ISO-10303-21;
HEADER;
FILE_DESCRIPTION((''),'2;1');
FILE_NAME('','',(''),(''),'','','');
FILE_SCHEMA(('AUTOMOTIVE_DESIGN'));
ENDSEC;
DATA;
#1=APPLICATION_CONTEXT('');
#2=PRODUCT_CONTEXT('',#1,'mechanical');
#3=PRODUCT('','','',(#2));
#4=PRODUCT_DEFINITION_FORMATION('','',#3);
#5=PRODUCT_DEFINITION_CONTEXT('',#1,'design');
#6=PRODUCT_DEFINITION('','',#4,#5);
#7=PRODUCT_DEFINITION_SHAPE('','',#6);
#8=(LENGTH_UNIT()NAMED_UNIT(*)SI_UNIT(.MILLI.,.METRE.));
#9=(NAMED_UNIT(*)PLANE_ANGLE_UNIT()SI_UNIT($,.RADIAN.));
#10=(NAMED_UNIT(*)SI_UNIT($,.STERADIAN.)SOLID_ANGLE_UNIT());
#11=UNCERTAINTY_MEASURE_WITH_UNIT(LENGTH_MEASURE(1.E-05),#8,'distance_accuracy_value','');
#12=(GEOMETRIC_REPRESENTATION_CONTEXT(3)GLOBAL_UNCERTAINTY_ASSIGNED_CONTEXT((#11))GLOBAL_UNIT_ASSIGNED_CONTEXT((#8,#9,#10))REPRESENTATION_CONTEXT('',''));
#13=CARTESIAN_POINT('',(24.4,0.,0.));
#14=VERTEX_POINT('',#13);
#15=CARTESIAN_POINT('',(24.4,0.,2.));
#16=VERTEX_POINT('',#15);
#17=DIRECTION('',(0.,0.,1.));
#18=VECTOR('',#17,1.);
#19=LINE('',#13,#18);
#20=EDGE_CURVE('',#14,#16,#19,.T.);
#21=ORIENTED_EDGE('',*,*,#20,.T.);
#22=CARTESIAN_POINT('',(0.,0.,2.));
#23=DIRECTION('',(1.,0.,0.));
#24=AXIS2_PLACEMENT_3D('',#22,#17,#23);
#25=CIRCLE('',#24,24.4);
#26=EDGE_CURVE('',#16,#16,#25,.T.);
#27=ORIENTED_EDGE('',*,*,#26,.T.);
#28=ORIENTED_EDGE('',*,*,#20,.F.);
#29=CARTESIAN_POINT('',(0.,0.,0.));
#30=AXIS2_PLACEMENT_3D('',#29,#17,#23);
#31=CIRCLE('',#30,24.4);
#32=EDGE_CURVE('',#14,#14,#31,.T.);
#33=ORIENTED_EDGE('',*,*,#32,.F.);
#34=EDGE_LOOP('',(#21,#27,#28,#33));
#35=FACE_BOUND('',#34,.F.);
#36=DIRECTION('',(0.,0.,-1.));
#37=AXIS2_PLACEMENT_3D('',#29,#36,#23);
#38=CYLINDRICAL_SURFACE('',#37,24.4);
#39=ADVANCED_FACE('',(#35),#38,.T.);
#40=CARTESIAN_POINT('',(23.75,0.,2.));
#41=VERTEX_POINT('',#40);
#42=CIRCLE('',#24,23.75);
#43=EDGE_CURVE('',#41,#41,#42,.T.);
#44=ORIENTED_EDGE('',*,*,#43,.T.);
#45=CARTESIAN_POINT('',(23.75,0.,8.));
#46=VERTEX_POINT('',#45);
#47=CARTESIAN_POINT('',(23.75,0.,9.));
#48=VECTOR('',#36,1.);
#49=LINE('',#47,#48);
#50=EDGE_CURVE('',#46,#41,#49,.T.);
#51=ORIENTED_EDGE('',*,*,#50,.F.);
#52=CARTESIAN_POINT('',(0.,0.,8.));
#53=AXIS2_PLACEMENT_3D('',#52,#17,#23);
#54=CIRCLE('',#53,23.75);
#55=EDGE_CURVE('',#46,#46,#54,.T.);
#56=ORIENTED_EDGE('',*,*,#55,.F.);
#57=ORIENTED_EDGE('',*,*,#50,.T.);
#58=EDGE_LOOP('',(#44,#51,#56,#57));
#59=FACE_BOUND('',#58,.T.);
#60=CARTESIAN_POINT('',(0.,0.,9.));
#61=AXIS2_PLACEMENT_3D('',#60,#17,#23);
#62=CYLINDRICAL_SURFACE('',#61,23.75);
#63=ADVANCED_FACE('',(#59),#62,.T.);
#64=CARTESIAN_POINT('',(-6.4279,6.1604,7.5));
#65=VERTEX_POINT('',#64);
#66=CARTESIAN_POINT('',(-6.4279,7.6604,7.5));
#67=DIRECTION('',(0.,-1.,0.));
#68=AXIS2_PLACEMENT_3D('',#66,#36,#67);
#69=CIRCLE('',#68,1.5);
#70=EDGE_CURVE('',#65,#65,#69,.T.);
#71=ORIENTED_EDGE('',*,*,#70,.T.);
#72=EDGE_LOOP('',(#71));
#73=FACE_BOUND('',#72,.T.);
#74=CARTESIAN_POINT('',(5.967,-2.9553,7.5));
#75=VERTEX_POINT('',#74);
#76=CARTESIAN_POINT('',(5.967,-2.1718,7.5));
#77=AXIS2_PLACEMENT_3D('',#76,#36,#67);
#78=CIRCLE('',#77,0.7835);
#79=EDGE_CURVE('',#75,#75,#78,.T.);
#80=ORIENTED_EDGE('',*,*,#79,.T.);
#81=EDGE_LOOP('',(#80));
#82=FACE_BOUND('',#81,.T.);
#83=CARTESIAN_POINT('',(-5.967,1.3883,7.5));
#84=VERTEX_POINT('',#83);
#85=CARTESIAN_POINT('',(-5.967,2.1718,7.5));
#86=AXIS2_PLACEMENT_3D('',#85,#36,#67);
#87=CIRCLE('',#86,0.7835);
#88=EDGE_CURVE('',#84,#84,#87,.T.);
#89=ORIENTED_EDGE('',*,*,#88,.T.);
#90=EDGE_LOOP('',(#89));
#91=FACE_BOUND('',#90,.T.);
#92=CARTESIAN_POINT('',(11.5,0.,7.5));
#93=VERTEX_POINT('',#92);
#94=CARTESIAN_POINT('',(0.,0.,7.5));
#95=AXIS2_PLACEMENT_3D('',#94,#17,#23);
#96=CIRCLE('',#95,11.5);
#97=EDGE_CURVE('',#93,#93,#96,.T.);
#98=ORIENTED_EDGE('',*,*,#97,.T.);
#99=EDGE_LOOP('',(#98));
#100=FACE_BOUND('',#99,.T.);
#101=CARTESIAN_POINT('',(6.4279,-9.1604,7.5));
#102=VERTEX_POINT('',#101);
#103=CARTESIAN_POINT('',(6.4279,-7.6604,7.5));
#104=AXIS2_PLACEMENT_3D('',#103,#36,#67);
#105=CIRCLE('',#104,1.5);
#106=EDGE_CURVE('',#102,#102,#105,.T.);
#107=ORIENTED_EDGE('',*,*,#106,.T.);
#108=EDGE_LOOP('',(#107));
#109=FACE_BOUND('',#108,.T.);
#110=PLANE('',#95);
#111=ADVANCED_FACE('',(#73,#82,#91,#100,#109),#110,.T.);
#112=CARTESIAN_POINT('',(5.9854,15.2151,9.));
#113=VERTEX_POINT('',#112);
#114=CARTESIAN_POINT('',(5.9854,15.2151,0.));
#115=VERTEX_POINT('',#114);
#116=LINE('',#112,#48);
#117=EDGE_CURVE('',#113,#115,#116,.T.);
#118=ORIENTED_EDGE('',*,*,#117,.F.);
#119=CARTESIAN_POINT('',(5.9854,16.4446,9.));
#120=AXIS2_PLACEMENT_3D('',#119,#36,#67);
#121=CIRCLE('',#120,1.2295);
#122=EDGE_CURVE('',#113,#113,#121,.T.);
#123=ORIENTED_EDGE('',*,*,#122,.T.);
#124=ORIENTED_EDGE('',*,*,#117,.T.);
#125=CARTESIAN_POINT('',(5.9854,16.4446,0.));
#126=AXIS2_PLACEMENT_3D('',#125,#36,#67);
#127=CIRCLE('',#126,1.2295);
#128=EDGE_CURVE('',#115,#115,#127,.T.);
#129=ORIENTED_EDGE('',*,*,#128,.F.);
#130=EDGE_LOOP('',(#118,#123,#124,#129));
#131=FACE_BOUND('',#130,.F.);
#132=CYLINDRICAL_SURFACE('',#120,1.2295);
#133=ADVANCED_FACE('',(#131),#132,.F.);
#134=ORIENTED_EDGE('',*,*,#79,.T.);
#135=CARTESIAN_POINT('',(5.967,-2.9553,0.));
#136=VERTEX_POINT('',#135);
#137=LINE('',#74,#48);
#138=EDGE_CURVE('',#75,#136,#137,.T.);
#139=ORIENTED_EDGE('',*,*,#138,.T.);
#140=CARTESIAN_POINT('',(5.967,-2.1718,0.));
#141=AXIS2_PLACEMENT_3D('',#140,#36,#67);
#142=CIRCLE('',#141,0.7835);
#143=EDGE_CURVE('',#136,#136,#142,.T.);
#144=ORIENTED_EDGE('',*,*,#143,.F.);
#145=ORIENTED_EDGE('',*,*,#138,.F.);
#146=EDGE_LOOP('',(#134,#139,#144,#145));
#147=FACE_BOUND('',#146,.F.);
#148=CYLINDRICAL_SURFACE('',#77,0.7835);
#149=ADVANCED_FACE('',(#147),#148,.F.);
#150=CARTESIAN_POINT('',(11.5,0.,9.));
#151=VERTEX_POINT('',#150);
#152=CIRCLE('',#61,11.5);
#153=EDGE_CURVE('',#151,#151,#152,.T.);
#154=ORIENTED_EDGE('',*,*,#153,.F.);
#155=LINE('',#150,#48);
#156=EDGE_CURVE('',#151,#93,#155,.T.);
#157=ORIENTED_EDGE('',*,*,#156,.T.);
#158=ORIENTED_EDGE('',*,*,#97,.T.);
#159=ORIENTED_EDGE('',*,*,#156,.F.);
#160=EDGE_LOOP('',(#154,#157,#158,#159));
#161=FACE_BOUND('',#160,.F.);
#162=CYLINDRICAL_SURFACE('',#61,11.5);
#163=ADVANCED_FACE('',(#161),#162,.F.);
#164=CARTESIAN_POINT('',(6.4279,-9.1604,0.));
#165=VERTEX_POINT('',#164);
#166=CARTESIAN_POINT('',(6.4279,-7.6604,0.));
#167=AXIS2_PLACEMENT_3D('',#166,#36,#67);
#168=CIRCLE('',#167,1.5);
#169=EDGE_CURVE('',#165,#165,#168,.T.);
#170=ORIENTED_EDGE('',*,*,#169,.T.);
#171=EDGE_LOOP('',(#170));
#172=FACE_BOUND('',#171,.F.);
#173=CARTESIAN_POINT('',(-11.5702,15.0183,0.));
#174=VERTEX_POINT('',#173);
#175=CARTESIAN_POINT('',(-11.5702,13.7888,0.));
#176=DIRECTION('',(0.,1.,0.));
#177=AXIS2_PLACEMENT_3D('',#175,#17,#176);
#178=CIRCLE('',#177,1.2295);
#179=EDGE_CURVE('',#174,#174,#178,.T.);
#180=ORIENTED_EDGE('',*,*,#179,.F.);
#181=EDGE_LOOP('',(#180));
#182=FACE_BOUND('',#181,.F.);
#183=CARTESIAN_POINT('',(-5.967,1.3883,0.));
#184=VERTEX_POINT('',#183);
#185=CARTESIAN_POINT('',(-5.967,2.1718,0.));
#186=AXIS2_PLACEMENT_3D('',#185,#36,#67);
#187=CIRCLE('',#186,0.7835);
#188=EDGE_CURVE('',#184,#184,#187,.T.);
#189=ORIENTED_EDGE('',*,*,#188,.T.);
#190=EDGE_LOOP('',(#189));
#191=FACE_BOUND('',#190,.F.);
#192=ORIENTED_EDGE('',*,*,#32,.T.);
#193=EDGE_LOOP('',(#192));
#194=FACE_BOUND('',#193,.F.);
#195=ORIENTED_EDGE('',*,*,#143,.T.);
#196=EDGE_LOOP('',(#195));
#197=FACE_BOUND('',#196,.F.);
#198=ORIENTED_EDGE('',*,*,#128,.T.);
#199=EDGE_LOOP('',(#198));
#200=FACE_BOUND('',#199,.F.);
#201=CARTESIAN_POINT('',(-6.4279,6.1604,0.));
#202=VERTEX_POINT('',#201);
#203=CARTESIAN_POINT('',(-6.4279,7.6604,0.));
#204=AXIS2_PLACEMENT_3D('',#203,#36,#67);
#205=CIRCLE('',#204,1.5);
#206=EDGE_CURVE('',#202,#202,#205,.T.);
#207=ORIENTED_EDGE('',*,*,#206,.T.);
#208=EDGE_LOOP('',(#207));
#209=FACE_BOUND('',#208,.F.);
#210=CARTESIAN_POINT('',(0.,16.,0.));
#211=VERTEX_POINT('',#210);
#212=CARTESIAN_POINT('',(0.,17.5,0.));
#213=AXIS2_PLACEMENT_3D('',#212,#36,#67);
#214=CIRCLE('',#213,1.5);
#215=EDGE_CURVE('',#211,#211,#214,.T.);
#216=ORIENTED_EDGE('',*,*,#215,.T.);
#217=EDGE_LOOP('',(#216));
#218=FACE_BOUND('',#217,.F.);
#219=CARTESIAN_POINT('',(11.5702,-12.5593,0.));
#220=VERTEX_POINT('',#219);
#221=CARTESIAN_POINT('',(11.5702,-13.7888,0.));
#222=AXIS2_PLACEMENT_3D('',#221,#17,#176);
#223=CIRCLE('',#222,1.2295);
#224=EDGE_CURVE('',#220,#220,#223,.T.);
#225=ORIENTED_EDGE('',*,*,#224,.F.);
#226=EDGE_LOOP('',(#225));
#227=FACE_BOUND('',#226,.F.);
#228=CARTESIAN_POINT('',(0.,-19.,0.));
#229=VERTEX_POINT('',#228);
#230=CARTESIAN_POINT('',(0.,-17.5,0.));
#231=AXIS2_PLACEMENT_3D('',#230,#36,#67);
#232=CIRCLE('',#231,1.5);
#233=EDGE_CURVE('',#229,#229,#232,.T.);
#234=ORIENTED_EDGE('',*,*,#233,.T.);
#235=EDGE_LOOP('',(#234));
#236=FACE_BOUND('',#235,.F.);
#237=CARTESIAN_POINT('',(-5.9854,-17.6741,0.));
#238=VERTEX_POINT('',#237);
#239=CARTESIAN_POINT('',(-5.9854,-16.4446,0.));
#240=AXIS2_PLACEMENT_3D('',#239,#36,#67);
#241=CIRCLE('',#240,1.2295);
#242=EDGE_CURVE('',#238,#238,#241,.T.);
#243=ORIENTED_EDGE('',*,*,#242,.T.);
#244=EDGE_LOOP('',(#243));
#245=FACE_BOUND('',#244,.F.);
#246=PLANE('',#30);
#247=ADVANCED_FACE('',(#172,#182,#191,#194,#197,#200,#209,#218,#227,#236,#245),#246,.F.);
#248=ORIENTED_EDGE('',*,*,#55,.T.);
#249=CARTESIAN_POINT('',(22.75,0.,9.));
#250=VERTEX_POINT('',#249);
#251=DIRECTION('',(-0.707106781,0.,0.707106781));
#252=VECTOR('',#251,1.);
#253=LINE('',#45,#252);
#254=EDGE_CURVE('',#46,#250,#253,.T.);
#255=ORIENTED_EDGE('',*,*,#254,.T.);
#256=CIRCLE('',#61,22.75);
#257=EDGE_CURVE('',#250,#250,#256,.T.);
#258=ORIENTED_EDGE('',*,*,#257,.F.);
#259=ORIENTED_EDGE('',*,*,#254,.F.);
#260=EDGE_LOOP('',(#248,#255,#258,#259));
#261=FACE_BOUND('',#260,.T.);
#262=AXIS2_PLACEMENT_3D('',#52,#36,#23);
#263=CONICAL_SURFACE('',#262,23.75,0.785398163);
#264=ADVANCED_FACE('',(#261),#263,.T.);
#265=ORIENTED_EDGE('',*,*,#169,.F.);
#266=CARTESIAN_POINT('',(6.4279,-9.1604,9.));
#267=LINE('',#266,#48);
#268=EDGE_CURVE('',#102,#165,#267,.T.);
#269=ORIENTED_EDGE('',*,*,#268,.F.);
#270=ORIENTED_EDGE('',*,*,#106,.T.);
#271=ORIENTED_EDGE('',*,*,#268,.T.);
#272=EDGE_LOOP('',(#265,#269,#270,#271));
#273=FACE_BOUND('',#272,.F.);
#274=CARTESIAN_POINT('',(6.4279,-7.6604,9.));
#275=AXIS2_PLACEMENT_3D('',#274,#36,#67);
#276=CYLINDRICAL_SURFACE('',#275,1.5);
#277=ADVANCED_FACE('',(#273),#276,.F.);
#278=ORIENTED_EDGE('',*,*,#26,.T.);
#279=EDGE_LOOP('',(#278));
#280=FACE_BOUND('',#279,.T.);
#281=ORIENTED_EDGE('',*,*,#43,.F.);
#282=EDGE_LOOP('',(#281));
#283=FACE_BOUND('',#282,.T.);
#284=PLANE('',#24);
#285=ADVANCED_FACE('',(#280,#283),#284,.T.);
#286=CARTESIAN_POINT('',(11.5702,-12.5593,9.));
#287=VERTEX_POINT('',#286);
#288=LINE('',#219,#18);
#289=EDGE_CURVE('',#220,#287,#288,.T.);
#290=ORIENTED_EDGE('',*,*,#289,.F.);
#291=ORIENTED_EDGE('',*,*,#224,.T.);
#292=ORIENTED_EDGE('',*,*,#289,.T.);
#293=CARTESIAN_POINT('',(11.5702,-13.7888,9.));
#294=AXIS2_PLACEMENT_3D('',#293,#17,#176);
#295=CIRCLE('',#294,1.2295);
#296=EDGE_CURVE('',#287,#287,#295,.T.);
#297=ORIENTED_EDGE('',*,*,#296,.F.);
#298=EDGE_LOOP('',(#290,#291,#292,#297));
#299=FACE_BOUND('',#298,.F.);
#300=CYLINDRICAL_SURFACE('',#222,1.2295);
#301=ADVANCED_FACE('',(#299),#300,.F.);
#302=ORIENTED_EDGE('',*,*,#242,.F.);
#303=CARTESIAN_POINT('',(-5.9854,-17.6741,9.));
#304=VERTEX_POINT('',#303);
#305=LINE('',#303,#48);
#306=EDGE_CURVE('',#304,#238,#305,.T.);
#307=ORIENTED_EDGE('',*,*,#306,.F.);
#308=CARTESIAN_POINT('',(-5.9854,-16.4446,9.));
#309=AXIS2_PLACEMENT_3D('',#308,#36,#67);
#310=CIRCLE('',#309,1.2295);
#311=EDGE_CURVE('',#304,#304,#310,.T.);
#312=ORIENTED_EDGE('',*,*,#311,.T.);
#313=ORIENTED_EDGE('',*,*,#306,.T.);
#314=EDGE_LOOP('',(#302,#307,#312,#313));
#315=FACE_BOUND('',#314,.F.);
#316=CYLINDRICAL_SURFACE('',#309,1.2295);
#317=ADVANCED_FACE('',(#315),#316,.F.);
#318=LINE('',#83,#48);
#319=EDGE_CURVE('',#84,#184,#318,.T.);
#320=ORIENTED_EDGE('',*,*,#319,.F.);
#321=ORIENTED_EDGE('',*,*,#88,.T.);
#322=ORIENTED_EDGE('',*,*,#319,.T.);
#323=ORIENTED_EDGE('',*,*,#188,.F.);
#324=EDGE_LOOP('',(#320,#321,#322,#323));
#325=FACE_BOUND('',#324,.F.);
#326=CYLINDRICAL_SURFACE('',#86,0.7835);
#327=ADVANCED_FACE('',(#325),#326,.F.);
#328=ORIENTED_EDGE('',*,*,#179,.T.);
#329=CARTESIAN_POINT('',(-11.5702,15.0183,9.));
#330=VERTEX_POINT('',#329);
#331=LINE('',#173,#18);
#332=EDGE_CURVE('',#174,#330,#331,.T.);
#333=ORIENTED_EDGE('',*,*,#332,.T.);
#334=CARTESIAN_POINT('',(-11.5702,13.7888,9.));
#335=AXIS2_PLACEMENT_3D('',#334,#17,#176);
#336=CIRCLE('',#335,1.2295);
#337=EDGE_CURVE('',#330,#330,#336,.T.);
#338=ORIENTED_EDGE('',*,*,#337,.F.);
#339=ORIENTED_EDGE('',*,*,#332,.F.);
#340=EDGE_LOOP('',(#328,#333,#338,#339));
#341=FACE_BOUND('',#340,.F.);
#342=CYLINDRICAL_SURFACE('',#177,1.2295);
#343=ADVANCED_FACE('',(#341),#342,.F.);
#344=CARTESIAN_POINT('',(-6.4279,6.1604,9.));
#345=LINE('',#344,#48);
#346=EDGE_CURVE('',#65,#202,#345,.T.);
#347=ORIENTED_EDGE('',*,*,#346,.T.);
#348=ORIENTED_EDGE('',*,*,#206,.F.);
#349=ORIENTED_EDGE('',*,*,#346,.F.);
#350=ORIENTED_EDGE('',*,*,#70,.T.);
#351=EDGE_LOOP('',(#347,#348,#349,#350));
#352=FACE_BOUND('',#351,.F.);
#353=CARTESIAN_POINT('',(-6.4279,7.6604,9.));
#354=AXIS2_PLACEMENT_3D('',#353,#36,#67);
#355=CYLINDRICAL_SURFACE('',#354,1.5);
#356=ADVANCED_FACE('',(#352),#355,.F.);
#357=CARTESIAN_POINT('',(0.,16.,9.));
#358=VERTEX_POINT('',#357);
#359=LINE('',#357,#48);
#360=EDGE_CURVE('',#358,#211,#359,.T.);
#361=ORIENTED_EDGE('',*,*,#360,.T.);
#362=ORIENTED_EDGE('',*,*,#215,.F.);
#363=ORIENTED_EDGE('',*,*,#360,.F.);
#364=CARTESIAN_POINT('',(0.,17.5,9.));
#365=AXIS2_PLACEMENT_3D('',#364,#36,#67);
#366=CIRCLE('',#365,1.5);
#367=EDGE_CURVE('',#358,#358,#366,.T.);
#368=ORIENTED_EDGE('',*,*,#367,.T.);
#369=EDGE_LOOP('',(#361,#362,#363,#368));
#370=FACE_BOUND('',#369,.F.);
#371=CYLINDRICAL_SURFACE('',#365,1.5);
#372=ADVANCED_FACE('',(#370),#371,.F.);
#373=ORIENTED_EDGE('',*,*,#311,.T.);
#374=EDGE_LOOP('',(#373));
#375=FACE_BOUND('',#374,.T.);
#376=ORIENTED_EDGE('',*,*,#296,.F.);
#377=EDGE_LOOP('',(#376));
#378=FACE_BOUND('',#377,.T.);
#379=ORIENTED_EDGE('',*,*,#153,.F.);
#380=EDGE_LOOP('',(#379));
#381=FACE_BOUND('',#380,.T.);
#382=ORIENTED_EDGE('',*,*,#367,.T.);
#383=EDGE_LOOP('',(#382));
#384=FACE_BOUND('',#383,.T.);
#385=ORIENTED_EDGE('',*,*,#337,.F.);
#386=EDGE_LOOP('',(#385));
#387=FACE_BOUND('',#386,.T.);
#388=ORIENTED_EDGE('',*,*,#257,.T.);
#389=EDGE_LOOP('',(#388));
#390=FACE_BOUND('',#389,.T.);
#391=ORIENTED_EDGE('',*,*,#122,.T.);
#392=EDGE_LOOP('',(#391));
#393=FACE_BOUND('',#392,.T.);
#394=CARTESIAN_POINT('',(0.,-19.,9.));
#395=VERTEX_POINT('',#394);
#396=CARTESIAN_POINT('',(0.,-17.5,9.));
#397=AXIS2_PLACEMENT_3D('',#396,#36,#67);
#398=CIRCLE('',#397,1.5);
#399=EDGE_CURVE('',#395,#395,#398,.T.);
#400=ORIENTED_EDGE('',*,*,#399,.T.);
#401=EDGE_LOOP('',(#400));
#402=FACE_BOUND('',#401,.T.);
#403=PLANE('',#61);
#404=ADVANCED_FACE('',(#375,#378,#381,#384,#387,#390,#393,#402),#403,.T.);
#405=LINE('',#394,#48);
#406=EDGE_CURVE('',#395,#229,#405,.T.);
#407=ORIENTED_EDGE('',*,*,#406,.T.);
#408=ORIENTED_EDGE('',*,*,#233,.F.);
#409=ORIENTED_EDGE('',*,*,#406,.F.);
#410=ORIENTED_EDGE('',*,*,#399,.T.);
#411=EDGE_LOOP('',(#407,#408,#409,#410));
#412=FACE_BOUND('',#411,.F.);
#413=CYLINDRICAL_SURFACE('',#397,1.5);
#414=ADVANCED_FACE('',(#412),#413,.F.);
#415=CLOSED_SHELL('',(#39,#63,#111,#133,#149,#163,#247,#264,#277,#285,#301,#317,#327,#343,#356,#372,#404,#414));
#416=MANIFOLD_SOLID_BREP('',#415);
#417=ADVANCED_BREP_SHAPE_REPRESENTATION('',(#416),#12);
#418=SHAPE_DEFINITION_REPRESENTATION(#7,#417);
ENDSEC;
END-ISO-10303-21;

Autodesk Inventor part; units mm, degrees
ref_plane "YZ Plane" through (0, 0, 0) normal (1, 0, 0) x (0, 1, 0)
ref_plane "XZ Plane" through (0, 0, 0) normal (0, 1, 0) x (-1, 0, 0)
ref_plane "XY Plane" through (0, 0, 0) normal (0, 0, 1) x (1, 0, 0)
sketch "Skizze1" plane through (0, 0, 0) normal (0, 0, 1) x (1, 0, 0)
  circle A0 centre (0, 0) radius 24.4
  dimension "d0" = 48.8
extrude "Extrusion1" add sketch "Skizze1" along normal blind 9
sketch "Skizze2" plane through (0, 0, 9) normal (0, 0, 1) x (1, 0, 0)
  circle A0 centre (0, 0) radius 24.4 projected
  circle A1 centre (0, 0) radius 11.5
  dimension "d5" = 23
extrude "Extrusion2" cut sketch "Skizze2" against normal blind 1.5 contours A1
sketch "Skizze10" plane through (0, 0, 9) normal (0, 0, 1) x (1, 0, 0)
  circle A0 centre (0, 0) radius 24.4 projected
  circle A1 centre (0, 0) radius 23.75
  dimension "d62" = 47.5
extrude "Extrusion3" cut sketch "Skizze10" against normal blind 7
sketch "Skizze12" plane through (0, 0, 0) normal (0, 0, -1) x (-1, 0, 0)
  circle A0 centre (0, 0) radius 24.4 projected
  circle A1 centre (0, 0) radius 23.5
  dimension "d82" = 47
extrude "Extrusion4" [suppressed]
sketch "Skizze5" plane through (0, 0, 9) normal (0, 0, 1) x (1, 0, 0)
  circle A0 centre (0, 0) radius 11.5 projected
  circle A1 centre (0, 0) radius 24.4 projected
  circle A2 centre (0, 0) radius 17.5
  point P0 (0, 17.5)
  point P1 (0, -17.5)
  dimension "d17" = 35
hole "Bohrung2" at (0, 17.5, 9) at (0, -17.5, 9) direction (0, 0, -1) diameter 3 end through all
sketch "Skizze6" plane through (0, 0, 9) normal (0, 0, 1) x (1, 0, 0)
  circle A0 centre (0, 17.5) radius 1.5 projected
  circle A1 centre (0, -17.5) radius 1.5 projected
  circle A2 centre (0, 0) radius 11.5 projected
  circle A3 centre (0, 0) radius 24.4 projected
  circle A4 centre (0, 17.5) radius 1.5 projected
  circle A5 centre (0, -17.5) radius 1.5 projected
  circle A6 centre (0, 0) radius 11.5 projected
  circle A7 centre (0, 0) radius 17.5
  point P0 (5.9854, 16.4446)
  point P1 (-5.9854, -16.4446)
  dimension "d25" = 20
  dimension "d26" = 20
hole "Bohrung3" at (5.9854, 16.4446, 9) at (-5.9854, -16.4446, 9) direction (0, 0, -1) diameter 2.459 end through all thread size "M3x0.5" class "6H" standard "ANSI Metric M Profile"
sketch "Skizze4" plane through (0, 0, 7.5) normal (0, 0, 1) x (1, 0, 0)
  circle A0 centre (0, 0) radius 11.5 projected
  circle A1 centre (0, 0) radius 6.35
  circle A2 centre (5.9854, 16.4446) radius 1.2295 projected
  circle A3 centre (-5.9854, -16.4446) radius 1.2295 projected
  line L0 (5.9854, 16.4446) -> (-5.9854, -16.4446)
  line L1 (-8.743, 3.1822) -> (10.8065, -3.9332)
  point P0 (5.967, -2.1718)
  point P1 (-5.967, 2.1718)
  dimension "d9" = 12.7
hole "Bohrung1" at (5.967, -2.1718, 7.5) at (-5.967, 2.1718, 7.5) direction (0, 0, -1) diameter 1.567 end through all thread size "M2x0.4" class "6H" standard "ISO Metric profile"
chamfer "Fase3" distance 1 angle 45 1 edges at (-23.75, 0, 9)
chamfer "Fase6" [suppressed]
sketch "Skizze15" plane through (0, 0, 9) normal (0, 0, 1) x (1, 0, 0)
  circle A0 centre (0, 0) radius 10 construction
  line L0 (-6.4279, 7.6604) -> (7.0707, -8.4265) construction
  line L1 (0, -34.16) -> (0, 34.16) construction
  line L2 (0, 0) -> (11, 0) construction
  point P0 (6.4279, -7.6604)
  dimension "d110" = 20
  dimension "d111" = 40
  dimension "d115" = 11
hole "Bohrung9" at (6.4279, -7.6604, 9) at (-6.4279, 7.6604, 9) direction (0, 0, -1) diameter 3 end through all
sketch "Skizze17" plane through (0, 0, 0) normal (0, 0, -1) x (-1, 0, 0)
  circle A0 centre (0, 0) radius 18 construction
  circle A1 centre (0, 0) radius 23.75 construction
  line L0 (11.5702, 13.7888) -> (-11.5702, -13.7888) construction
  point P0 (7.3921, 8.8095)
  point P1 (-7.3921, -8.8095)
  dimension "d134" = 36
hole "Bohrung11" at (11.5702, -13.7888, 0) at (-11.5702, 13.7888, 0) direction (0, 0, 1) diameter 2.459 end through all thread size "M3x0.5" class "6H" standard "ANSI Metric M Profile"
properties part number "Ledaufnahme"
